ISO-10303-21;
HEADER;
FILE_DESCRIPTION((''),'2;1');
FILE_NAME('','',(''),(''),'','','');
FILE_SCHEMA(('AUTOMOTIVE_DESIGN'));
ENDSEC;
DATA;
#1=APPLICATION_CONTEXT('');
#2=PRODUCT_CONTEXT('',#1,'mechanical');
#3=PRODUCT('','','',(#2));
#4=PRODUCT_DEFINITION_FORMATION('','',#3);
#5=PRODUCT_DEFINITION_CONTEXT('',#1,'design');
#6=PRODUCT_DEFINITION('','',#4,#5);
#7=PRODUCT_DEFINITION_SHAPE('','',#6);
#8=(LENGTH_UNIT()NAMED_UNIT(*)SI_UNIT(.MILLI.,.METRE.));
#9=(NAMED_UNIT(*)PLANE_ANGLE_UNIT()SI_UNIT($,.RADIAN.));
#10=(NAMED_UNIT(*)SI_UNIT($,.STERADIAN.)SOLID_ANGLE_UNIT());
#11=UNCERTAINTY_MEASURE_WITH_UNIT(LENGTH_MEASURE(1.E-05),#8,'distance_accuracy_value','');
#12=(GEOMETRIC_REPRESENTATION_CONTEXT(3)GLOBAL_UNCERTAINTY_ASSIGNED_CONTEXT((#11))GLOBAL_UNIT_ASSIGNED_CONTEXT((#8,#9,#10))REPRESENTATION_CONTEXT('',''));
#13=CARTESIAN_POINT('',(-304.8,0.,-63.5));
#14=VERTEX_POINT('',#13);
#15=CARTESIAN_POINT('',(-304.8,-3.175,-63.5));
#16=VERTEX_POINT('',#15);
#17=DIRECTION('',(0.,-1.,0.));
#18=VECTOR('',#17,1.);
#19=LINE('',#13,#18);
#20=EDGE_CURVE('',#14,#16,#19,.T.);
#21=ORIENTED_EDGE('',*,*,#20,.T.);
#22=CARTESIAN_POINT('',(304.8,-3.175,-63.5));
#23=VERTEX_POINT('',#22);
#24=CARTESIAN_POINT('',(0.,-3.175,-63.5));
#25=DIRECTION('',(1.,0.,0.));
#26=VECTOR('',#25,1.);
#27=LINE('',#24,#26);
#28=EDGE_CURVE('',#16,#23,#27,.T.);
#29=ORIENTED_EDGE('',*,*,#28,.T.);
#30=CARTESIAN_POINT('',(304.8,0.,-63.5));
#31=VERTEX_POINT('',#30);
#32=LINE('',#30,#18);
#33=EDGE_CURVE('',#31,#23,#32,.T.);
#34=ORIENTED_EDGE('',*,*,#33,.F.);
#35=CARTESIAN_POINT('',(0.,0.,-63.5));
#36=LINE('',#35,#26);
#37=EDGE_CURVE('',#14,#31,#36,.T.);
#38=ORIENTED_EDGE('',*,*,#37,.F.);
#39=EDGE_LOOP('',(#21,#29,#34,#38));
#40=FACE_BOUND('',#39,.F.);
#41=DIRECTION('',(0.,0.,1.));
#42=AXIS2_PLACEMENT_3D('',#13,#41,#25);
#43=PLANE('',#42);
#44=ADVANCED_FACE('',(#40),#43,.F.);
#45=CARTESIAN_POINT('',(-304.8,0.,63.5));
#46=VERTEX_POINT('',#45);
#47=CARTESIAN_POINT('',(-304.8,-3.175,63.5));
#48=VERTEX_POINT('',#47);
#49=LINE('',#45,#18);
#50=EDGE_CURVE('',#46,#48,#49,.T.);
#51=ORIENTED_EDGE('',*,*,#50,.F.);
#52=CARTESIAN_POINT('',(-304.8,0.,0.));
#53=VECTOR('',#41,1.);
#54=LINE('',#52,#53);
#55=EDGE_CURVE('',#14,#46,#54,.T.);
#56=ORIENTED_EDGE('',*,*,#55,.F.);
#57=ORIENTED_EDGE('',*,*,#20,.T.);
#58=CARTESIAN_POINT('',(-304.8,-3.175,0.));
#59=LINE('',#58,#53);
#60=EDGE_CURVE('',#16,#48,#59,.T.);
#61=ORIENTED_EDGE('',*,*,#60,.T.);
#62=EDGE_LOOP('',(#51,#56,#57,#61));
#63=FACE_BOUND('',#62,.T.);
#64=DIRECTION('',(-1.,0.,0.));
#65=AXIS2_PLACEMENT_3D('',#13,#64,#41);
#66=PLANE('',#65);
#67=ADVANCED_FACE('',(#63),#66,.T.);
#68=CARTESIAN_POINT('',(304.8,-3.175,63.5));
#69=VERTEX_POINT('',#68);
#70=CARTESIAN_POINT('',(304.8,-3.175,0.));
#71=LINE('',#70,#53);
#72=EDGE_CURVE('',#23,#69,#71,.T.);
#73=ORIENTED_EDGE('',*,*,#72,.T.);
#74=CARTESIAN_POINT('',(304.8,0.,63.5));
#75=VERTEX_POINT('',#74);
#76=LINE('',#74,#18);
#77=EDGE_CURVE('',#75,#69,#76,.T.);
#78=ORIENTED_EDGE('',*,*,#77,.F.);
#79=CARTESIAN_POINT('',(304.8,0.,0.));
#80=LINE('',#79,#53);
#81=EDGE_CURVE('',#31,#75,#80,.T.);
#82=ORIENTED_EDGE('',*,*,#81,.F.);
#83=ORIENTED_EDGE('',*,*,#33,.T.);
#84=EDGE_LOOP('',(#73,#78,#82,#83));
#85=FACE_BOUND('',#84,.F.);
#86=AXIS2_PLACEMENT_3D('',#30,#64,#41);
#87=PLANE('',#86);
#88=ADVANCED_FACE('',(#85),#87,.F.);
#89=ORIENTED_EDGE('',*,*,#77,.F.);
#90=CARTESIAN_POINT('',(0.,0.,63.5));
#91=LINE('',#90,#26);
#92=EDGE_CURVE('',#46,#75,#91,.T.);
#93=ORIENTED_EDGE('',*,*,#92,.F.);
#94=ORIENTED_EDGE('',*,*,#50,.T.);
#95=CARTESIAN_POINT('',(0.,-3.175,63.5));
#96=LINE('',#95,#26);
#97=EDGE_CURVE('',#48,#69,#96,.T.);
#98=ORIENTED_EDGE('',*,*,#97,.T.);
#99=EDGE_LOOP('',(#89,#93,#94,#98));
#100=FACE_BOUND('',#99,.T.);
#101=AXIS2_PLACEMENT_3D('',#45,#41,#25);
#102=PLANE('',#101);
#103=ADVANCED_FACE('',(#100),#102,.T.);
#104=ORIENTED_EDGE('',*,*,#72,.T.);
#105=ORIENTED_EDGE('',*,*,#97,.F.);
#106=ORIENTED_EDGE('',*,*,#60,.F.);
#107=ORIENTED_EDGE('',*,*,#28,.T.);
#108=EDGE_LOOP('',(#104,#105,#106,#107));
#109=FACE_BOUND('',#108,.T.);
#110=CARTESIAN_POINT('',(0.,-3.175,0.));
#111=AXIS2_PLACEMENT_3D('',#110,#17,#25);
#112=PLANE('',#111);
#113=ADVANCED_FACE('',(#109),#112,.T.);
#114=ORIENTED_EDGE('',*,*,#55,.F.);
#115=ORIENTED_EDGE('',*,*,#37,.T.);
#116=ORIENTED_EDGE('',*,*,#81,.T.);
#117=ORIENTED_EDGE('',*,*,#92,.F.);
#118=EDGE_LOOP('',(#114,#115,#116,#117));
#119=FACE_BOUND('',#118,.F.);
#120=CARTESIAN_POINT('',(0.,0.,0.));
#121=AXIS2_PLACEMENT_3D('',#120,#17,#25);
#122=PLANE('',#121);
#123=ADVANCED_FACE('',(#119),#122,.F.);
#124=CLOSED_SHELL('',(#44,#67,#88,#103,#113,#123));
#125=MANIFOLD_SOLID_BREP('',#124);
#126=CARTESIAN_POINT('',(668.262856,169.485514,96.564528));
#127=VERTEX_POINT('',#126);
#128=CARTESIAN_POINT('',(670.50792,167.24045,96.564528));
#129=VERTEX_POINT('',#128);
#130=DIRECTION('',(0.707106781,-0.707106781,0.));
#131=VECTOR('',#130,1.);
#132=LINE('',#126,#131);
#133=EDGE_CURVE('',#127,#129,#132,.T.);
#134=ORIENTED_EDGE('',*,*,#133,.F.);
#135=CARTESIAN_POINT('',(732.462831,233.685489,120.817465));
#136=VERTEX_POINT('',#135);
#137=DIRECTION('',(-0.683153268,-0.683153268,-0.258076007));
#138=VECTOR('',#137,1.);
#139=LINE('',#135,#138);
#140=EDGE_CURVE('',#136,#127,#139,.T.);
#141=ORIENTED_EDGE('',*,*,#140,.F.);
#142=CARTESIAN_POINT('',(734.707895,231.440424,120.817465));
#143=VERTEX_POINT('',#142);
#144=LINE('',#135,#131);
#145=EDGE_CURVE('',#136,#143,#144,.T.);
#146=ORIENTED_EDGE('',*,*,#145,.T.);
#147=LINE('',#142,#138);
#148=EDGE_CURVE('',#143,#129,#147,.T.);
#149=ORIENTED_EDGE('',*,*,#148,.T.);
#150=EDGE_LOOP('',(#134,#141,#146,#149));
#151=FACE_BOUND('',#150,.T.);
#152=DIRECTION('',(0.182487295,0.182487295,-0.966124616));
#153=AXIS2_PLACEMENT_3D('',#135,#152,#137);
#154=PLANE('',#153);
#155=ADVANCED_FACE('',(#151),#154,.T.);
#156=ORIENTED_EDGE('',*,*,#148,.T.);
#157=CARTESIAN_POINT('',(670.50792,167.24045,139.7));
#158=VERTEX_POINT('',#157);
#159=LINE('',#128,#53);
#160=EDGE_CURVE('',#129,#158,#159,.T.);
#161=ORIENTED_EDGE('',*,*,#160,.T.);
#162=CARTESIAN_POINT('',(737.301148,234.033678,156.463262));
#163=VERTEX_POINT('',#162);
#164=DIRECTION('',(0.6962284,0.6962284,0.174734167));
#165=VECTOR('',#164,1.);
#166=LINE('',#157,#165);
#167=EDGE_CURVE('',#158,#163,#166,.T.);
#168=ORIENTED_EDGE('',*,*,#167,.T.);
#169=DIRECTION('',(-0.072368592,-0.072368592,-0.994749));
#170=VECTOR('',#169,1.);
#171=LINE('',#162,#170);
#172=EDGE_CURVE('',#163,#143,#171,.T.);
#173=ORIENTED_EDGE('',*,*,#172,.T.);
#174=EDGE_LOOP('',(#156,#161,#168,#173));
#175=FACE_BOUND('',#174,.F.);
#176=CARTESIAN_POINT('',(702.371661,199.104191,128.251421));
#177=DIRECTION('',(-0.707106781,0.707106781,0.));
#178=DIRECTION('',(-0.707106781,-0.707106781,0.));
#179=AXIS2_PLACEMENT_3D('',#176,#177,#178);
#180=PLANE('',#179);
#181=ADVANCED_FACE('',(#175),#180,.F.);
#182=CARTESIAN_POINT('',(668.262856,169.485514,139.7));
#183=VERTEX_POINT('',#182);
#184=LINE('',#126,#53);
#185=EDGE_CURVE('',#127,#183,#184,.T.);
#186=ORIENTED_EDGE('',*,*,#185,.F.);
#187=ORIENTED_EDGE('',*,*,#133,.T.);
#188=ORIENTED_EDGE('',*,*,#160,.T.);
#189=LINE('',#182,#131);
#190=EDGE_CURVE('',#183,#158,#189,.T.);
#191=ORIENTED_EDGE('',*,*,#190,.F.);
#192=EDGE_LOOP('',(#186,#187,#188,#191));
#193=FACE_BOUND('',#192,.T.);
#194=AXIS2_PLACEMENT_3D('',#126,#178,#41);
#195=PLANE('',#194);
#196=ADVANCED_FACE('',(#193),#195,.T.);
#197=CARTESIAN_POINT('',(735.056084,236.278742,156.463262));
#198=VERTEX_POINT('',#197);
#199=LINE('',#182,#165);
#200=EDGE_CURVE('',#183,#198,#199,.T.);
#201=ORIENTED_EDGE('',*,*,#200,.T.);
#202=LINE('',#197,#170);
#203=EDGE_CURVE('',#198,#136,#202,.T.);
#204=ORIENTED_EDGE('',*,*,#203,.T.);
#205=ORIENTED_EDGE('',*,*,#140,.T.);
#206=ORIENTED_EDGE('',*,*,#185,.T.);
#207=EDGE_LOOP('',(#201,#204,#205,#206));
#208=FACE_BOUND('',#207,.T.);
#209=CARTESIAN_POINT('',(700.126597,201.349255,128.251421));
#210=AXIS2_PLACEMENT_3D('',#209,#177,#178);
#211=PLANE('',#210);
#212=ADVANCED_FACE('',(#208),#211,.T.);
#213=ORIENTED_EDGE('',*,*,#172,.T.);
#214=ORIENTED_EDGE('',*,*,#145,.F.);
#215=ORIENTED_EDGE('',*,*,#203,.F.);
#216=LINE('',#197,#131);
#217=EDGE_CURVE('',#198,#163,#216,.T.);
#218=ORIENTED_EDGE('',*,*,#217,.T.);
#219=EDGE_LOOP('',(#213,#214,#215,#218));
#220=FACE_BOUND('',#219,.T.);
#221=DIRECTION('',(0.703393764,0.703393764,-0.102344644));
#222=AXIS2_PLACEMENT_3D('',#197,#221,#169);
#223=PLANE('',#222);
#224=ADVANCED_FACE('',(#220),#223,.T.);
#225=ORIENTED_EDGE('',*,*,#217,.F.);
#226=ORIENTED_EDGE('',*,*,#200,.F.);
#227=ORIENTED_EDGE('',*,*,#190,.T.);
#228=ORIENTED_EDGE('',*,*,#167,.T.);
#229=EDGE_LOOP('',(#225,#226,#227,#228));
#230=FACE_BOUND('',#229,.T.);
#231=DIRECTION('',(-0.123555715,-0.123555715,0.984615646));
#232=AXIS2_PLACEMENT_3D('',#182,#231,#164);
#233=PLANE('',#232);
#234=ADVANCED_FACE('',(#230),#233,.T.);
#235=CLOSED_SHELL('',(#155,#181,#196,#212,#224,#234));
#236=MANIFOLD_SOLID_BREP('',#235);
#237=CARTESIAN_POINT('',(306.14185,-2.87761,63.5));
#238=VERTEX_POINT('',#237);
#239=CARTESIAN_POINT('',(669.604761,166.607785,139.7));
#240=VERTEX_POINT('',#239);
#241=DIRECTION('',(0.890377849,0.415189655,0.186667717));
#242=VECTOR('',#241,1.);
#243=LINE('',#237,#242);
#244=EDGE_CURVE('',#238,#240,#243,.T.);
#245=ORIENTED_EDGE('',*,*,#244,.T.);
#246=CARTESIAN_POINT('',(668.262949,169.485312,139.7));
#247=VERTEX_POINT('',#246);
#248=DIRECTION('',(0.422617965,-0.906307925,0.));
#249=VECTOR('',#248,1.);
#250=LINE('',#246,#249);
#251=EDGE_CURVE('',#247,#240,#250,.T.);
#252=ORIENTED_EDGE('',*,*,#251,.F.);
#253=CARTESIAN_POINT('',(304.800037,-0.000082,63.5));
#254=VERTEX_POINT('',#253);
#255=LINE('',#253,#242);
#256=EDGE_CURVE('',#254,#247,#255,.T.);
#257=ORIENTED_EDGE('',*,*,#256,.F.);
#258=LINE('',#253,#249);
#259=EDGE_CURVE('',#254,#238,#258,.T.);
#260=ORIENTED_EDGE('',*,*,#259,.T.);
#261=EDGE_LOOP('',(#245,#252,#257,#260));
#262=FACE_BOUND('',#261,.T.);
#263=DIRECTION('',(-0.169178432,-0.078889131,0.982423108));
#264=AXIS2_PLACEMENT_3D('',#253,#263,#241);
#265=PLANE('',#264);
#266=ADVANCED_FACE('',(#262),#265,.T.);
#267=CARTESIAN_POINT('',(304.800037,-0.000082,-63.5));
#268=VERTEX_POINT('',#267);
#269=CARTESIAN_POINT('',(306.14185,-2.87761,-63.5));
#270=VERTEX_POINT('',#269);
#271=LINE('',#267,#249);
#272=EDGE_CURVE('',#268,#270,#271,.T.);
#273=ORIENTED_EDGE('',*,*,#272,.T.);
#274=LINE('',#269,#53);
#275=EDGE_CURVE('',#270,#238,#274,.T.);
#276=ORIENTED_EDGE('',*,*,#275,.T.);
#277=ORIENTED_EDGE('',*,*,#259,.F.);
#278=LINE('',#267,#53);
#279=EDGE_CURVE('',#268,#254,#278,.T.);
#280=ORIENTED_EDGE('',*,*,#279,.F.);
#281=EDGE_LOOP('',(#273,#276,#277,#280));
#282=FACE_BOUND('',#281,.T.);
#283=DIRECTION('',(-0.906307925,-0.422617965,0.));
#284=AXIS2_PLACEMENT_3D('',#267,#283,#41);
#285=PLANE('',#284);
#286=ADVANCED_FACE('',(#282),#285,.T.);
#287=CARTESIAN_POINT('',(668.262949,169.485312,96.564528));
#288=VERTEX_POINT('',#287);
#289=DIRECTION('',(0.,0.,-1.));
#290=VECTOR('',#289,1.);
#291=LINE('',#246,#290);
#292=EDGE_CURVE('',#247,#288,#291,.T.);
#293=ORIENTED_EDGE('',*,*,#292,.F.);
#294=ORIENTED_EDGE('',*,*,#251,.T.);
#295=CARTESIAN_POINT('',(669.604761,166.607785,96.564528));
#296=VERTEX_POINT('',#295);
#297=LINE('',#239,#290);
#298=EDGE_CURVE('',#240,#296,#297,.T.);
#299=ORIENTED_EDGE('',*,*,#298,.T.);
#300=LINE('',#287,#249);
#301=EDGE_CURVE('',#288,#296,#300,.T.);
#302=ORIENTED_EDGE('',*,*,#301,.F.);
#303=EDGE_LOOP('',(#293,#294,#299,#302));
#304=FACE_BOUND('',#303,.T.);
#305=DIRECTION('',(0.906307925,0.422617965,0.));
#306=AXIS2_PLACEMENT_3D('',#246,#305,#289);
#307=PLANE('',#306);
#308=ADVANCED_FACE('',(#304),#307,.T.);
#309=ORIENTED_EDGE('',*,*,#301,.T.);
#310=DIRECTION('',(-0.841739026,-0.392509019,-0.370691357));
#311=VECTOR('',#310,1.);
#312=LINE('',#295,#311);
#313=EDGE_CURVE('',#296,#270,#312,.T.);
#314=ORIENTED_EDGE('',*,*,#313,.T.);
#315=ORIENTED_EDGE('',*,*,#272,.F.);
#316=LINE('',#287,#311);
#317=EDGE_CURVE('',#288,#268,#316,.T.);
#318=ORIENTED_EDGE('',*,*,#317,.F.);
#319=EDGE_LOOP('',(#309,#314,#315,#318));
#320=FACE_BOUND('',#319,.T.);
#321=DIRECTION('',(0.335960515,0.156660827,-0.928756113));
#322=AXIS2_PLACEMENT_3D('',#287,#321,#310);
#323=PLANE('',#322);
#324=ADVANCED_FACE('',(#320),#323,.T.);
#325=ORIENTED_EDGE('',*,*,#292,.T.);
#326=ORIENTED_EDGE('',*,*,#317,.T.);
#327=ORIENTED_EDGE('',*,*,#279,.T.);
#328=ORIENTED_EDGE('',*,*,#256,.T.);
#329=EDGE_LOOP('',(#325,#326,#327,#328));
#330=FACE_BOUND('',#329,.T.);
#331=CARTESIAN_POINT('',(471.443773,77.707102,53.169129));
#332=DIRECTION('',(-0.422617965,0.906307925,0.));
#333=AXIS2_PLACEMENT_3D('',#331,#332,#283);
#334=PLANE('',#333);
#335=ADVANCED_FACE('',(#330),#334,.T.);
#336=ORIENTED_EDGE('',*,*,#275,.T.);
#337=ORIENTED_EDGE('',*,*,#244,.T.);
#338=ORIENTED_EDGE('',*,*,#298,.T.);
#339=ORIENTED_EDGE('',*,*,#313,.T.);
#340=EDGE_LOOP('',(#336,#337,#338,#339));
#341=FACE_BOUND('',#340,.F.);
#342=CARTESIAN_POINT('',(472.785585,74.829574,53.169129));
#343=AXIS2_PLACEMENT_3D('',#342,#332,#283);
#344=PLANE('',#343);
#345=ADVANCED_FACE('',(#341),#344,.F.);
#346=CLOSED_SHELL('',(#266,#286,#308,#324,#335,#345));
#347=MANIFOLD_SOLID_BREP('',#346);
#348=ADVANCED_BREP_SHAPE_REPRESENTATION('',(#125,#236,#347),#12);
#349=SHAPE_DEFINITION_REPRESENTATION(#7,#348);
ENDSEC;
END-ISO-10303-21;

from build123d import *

# Parameters (mm, degrees)
F0_W     = 609.6
F0_H     = 127
F1_DEPTH = 3.175
F4_DEPTH = 3.175
F7_DEPTH = 3.175


with BuildPart() as f1:
    # F0 (on Front) → F1 (new body)
    with BuildSketch(Plane.XZ):
        Rectangle(F0_W, F0_H)
    extrude(amount=F1_DEPTH)


with BuildPart() as f4:
    # F3 (on face) → F4 (new body)
    with BuildSketch(Plane(origin=(54.439168, -116.745173, 0), x_dir=(-0.906308, -0.422618, 0), z_dir=(-0.422618, 0.906308, 0))):
        Polygon((-677.279503, 96.564528), (-276.242613, -63.5), (-276.242613, 63.5), (-677.279503, 139.7), align=None)
    extrude(amount=-F4_DEPTH)


with BuildPart() as f7:
    # F6 (on face) → F7 (new body)
    with BuildSketch(Plane(origin=(249.388671, -249.388671, 0), x_dir=(-0.707107, -0.707107, 0), z_dir=(-0.707107, 0.707107, 0))):
        Polygon((-683.170028, 120.817465), (-592.377553, 96.564528), (-592.377553, 139.7), (-686.837442, 156.463262), align=None)
    extrude(amount=-F7_DEPTH)


solid = Compound([f1.part, f4.part, f7.part])
